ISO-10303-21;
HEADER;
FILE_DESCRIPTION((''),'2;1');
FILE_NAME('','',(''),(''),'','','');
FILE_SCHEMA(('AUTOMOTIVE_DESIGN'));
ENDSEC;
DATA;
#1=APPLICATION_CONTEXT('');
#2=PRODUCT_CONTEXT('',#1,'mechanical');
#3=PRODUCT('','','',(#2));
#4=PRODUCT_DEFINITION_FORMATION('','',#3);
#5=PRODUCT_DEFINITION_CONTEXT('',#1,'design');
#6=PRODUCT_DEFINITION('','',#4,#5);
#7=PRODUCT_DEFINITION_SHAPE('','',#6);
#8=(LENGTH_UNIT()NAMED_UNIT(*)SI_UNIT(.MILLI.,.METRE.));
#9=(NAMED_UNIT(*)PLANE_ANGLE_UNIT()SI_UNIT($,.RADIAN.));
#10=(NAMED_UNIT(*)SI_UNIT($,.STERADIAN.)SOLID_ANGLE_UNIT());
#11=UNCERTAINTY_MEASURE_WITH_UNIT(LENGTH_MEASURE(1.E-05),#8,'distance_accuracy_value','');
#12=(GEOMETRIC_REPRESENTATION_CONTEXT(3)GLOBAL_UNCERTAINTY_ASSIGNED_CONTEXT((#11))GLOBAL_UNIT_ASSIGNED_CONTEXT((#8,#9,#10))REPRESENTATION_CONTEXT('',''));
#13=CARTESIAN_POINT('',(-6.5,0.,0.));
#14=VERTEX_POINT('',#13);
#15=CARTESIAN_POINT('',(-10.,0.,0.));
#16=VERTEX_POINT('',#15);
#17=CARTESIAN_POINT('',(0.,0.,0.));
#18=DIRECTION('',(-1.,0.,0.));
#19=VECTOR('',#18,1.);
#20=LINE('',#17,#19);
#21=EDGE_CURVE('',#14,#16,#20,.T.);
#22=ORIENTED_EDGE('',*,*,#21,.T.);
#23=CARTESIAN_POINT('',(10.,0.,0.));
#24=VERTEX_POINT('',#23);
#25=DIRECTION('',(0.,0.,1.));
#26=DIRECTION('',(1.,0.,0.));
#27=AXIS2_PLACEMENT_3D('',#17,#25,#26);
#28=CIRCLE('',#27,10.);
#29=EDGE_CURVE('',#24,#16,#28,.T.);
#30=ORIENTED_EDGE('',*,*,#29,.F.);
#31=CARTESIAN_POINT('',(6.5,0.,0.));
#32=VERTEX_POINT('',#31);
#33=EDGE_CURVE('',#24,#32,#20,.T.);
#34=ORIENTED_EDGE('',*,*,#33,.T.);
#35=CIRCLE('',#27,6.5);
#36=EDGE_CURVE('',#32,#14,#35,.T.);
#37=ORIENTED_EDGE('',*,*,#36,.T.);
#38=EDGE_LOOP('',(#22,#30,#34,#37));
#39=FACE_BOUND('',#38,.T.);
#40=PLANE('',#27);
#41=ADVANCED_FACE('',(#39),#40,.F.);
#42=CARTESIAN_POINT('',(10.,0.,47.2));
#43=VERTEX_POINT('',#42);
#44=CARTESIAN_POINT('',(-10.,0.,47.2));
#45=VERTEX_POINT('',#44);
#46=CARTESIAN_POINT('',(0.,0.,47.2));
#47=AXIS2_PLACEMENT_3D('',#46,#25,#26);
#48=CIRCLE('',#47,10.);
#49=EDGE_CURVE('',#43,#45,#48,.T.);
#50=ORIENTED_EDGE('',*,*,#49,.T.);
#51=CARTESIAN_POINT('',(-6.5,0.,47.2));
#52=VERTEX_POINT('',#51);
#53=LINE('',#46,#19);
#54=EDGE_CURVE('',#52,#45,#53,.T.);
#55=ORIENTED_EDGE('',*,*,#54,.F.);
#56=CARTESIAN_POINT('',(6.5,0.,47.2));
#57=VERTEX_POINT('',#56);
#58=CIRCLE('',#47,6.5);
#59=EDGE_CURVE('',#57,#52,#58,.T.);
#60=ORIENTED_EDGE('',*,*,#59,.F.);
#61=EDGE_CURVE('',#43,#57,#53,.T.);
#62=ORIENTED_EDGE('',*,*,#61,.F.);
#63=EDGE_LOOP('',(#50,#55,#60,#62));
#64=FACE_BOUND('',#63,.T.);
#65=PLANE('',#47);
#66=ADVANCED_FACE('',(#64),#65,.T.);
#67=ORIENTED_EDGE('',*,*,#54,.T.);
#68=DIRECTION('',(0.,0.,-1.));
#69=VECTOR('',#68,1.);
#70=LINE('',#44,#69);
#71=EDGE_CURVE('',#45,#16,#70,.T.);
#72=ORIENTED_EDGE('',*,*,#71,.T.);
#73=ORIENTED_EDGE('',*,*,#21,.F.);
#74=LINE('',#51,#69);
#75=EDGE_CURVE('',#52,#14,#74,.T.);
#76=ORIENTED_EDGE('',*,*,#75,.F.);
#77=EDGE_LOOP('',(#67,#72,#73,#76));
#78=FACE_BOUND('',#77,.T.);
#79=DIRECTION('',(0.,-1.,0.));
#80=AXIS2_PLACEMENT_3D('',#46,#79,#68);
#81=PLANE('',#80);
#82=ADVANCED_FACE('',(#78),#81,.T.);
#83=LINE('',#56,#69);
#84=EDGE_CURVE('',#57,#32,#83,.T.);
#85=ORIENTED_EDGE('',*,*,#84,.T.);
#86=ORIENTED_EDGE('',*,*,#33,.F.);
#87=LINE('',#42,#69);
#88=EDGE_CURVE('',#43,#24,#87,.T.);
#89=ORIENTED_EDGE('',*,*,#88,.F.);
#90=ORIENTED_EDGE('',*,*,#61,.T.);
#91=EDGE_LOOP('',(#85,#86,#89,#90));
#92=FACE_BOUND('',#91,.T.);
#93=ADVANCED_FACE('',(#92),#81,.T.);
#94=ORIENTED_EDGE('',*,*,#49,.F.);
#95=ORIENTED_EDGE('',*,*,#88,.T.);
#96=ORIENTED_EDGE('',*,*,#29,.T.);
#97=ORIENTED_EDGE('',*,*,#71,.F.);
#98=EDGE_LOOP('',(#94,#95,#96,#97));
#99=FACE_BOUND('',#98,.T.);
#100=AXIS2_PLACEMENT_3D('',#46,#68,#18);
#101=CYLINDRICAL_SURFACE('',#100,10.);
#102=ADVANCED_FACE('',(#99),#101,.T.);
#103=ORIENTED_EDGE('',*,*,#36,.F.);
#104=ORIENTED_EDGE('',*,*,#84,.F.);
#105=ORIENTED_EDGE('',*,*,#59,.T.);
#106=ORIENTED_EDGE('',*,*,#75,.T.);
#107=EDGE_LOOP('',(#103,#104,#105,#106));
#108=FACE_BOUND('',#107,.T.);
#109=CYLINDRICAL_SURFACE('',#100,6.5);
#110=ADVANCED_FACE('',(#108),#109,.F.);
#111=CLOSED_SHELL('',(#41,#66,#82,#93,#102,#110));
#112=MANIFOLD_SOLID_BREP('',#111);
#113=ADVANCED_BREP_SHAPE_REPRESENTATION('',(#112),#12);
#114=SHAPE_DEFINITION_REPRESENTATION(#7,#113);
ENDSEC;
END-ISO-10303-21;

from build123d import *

# Parameters (mm, degrees)
BOSS_EXTRUDE1_DEPTH = 47.2


with BuildPart() as part:
    # Sketch2 → Boss-Extrude1 (new body)
    with BuildSketch(Plane.XY):
        with BuildLine():
            Line((6.5, 0), (10, 0))
            ThreePointArc((10, 0), (0, 10), (-10, 0))
            Line((-10, 0), (-6.5, 0))
            ThreePointArc((-6.5, 0), (0, 6.5), (6.5, 0))
        make_face()
    extrude(amount=BOSS_EXTRUDE1_DEPTH)


solid = part.part
